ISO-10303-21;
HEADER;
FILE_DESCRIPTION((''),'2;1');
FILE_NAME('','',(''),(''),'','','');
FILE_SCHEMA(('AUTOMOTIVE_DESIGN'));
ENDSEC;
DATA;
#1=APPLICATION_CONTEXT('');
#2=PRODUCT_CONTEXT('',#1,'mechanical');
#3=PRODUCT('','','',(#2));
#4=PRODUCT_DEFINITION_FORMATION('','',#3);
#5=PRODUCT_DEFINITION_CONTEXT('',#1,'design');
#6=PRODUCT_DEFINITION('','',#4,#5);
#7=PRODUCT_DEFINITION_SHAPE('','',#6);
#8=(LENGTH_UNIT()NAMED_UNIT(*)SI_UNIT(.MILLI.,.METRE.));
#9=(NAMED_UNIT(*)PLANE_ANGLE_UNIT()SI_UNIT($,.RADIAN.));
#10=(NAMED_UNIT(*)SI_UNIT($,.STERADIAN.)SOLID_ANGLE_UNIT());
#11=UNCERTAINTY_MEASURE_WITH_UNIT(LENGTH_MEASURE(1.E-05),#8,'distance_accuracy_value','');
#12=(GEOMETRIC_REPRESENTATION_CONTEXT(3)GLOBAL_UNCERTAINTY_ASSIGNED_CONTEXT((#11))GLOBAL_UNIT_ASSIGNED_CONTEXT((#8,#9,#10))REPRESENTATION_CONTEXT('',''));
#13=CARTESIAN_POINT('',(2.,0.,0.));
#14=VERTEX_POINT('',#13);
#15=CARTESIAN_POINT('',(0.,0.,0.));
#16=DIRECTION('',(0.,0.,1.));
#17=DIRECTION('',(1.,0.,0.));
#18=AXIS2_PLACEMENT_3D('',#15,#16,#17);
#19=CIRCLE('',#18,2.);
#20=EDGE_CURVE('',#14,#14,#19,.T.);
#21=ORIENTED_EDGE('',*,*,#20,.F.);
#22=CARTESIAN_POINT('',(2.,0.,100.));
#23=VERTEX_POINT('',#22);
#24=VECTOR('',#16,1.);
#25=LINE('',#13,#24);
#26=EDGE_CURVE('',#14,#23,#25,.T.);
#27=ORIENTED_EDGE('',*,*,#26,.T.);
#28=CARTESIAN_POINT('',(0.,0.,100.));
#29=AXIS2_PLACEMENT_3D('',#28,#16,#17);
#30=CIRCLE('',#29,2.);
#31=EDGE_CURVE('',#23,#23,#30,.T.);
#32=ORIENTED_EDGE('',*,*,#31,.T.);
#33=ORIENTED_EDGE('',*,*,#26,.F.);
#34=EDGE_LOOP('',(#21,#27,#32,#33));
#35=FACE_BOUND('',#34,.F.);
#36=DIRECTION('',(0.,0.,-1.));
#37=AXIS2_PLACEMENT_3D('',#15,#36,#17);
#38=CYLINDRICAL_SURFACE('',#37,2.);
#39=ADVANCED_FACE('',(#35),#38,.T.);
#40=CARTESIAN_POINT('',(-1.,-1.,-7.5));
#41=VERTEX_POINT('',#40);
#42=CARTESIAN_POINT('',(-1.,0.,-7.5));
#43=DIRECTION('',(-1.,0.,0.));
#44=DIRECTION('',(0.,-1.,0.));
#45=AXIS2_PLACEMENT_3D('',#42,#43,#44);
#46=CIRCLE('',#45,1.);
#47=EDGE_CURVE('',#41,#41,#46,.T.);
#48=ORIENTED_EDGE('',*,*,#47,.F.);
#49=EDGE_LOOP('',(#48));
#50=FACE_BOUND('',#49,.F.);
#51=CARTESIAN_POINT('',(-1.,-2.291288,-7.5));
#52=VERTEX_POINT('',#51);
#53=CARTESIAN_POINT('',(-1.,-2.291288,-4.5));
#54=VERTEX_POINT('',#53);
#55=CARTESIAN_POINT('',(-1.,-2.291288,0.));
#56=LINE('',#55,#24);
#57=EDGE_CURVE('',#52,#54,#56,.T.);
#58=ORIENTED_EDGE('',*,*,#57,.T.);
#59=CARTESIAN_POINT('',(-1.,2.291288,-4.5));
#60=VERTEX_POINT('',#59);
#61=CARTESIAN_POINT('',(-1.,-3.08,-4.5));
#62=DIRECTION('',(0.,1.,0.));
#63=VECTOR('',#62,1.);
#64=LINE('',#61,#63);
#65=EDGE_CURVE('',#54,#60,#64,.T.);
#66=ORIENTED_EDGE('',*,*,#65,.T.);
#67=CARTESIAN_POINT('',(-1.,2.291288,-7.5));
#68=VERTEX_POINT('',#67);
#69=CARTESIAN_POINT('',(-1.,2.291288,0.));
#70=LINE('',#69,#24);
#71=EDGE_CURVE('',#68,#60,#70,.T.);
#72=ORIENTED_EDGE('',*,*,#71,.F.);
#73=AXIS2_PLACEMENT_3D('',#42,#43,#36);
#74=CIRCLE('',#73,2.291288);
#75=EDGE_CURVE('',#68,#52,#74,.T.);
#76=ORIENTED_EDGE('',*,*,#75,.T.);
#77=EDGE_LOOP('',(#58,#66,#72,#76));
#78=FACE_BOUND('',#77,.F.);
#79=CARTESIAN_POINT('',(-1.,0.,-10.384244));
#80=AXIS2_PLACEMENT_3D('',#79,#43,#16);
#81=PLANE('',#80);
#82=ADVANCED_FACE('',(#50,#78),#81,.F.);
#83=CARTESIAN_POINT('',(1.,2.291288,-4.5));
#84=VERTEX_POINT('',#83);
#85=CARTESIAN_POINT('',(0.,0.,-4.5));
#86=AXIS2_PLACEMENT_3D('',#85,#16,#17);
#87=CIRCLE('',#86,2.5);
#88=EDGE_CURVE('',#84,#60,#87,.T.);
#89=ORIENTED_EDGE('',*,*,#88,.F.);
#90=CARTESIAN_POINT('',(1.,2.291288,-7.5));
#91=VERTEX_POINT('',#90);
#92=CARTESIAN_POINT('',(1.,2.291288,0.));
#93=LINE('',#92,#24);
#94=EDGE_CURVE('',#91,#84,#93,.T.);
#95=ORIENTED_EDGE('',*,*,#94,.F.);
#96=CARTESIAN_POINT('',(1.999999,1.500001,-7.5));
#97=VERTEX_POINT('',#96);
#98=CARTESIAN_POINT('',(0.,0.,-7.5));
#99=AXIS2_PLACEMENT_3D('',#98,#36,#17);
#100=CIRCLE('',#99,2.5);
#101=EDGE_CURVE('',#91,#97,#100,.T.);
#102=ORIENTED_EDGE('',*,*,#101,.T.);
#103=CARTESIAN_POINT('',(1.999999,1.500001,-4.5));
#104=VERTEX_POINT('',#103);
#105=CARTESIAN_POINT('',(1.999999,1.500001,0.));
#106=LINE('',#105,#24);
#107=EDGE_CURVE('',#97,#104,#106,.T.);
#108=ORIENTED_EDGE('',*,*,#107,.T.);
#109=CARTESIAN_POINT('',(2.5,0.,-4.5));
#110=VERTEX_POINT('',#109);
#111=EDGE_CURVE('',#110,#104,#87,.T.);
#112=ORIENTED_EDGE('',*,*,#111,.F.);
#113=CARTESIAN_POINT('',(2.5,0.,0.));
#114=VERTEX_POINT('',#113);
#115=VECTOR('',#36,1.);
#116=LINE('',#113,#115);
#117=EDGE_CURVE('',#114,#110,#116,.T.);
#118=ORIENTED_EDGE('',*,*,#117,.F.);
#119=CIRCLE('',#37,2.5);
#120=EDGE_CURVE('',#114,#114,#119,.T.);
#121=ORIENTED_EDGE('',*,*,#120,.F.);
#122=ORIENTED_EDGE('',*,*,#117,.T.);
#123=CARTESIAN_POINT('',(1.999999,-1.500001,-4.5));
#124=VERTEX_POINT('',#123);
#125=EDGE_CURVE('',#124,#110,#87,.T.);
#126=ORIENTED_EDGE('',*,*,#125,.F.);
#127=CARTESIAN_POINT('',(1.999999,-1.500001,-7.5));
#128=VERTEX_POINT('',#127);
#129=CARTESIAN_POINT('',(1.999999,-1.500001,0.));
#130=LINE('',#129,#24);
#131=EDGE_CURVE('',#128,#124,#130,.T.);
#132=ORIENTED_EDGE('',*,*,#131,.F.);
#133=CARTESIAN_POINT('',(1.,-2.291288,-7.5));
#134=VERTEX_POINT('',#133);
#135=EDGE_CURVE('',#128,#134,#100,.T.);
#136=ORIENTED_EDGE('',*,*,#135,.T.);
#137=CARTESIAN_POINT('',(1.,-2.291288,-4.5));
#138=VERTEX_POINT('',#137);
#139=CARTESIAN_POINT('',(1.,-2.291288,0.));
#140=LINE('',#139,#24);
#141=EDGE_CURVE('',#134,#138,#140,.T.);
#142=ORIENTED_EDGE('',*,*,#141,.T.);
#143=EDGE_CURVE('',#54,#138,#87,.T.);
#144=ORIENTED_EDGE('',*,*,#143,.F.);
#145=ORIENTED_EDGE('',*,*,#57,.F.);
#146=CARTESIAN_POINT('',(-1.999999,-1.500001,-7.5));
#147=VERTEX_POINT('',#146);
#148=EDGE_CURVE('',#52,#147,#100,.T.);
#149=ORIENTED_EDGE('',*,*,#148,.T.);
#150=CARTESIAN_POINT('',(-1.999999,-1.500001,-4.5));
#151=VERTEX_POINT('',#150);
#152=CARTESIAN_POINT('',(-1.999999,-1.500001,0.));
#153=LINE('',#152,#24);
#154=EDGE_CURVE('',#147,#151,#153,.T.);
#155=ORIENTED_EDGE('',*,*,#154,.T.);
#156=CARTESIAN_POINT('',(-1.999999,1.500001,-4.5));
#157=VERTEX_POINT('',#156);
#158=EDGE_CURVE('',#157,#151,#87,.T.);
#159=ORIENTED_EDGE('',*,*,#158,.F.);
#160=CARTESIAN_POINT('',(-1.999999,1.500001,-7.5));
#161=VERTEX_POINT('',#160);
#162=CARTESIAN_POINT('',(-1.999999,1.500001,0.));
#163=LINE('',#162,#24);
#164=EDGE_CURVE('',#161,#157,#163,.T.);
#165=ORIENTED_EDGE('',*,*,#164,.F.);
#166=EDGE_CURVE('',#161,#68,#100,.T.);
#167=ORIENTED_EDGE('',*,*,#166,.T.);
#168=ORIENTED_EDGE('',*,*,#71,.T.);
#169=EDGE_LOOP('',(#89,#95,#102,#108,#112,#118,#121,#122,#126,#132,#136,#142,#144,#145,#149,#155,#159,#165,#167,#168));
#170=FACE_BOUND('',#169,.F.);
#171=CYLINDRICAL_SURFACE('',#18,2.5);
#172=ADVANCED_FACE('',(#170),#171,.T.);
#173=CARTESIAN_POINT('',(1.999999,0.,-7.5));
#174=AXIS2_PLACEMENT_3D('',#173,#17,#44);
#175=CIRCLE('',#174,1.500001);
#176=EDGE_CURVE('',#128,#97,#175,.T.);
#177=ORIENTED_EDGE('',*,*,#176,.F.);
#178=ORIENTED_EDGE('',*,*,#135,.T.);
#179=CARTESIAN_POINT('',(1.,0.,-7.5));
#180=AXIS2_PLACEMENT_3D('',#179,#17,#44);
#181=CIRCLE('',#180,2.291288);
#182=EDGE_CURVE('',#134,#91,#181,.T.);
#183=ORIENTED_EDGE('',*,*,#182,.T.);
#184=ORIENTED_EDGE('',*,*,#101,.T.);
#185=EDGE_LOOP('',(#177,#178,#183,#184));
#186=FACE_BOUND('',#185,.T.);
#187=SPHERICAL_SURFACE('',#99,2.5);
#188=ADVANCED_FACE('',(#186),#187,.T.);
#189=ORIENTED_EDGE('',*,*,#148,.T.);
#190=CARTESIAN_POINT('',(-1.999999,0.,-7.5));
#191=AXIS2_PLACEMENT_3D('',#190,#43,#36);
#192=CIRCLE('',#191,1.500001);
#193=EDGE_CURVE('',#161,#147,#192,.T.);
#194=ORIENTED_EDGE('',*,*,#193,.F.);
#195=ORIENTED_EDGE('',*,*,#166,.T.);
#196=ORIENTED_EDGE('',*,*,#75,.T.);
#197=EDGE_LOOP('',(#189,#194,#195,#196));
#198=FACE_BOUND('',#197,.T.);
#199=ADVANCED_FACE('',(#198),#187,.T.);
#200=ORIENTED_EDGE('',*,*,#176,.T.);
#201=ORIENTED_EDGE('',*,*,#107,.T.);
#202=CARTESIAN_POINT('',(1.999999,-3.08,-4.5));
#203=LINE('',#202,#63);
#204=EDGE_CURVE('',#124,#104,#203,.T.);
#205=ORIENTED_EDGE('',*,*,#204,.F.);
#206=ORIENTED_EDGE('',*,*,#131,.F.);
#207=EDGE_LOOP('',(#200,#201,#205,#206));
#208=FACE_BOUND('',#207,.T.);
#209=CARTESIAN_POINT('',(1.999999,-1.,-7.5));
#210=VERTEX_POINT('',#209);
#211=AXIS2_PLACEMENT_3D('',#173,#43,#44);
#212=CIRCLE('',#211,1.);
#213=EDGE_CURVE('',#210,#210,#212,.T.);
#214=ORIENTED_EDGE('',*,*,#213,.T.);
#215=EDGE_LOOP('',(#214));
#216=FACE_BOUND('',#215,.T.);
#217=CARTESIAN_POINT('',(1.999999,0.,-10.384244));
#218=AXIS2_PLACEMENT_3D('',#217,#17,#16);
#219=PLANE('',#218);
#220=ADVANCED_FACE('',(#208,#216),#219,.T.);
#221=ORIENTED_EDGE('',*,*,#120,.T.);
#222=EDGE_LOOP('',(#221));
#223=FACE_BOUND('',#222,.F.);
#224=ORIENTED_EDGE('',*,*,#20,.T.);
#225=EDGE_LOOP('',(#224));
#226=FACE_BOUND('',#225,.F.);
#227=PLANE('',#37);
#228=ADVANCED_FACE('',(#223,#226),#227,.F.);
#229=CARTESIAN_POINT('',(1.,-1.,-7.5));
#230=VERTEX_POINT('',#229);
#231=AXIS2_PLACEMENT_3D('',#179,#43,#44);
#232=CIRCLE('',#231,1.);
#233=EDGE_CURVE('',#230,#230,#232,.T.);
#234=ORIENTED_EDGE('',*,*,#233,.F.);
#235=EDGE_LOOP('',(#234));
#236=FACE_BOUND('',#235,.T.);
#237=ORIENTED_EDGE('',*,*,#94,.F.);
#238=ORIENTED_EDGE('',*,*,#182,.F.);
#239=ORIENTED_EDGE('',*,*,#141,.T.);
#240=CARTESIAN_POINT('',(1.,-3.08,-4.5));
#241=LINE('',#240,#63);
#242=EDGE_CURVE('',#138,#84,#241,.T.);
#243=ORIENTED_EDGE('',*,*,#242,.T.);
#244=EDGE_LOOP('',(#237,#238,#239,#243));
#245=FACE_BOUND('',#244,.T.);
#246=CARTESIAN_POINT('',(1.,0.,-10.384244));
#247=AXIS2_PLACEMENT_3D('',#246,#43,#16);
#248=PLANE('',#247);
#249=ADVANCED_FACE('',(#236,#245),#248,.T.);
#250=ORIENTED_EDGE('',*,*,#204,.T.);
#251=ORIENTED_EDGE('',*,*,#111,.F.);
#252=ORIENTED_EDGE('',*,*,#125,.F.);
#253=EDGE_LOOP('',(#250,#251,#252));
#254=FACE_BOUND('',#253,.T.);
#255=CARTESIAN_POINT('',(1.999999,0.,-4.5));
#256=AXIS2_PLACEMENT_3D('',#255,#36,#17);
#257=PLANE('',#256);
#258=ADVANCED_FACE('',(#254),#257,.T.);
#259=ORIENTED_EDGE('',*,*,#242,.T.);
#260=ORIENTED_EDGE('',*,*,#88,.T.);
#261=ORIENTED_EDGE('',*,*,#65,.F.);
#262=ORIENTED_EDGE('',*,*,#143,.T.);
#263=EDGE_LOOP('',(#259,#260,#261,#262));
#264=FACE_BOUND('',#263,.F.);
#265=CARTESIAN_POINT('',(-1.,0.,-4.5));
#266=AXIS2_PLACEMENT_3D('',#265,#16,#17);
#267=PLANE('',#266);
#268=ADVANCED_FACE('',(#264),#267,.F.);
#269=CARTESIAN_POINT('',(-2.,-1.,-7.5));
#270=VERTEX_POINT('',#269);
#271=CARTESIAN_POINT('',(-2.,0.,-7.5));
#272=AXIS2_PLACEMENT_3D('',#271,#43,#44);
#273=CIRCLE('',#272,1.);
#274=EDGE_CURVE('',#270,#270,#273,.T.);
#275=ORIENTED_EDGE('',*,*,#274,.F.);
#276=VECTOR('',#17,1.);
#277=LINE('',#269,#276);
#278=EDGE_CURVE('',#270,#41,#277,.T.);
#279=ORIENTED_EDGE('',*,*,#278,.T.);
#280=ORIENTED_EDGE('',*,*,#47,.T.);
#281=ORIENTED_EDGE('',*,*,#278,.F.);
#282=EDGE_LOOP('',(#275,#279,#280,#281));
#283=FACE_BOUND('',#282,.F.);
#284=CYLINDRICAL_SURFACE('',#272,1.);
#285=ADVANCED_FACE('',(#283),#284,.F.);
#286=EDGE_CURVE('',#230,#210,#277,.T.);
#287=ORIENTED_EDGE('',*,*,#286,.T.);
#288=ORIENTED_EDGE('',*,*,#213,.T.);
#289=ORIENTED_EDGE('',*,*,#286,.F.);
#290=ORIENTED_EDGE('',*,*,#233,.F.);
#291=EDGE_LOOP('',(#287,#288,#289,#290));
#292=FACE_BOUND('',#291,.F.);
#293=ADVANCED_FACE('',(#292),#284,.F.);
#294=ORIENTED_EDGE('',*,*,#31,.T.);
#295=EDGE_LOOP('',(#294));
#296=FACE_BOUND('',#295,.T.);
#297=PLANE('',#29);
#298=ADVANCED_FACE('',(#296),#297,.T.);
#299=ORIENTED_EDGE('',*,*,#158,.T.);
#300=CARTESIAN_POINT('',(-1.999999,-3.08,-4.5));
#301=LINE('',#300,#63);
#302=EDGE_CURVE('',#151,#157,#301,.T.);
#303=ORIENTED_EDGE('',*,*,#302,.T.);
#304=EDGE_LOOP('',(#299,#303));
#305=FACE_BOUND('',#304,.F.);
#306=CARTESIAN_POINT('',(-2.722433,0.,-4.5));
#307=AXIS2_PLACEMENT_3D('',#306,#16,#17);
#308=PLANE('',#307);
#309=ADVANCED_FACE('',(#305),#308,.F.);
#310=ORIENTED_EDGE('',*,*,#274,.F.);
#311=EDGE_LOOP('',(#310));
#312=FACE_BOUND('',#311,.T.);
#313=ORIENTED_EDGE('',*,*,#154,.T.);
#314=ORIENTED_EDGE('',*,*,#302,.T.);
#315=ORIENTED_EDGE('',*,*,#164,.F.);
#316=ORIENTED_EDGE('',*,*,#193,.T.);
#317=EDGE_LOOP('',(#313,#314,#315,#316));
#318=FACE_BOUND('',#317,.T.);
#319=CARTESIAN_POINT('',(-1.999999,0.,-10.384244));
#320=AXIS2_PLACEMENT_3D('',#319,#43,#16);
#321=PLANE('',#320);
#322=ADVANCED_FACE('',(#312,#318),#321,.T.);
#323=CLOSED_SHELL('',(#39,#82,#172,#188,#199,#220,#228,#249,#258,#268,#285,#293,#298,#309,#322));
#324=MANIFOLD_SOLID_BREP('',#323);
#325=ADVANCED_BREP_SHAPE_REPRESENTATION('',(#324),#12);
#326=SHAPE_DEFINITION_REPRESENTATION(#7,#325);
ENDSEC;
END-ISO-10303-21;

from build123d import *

# Parameters (mm, degrees)
F0_R     = 2
F1_DEPTH = 100
F2_R     = 2.5
F3_DEPTH = 10
F4_R     = 2.5
F5_W     = 0.722433
F5_H     = 5.884245
F5_W_2   = 2
F5_W_3   = 0.957619
F6_DEPTH = 3.08
F7_R     = 1
F8_DEPTH = 4.501


with BuildPart() as f1:
    # F0 (on Top) → F1 (new body)
    with BuildSketch(Plane.XY):
        Circle(F0_R)
    extrude(amount=F1_DEPTH)

    # F2 (on face) → F3 (join)
    with BuildSketch(Plane(origin=(0, 0, 0), x_dir=(1, 0, 0), z_dir=(0, 0, -1))):
        Circle(F2_R)
    extrude(amount=F3_DEPTH)

    # F4
    f4_edges = [f1.edges().sort_by_distance(p)[0] for p in [
        (-2.5, 0, -10),
    ]]
    fillet(f4_edges, radius=F4_R)

    # F5 (on Front) → F6 (cut, symmetric)
    with BuildSketch(Plane.XZ):
        with Locations((-2.361216, -7.442122)):
            Rectangle(F5_W, F5_H)
        with Locations((0, -7.442122)):
            Rectangle(F5_W_2, F5_H)
        with Locations((2.478809, -7.442122)):
            Rectangle(F5_W_3, F5_H)
    extrude(amount=F6_DEPTH, both=True, mode=Mode.SUBTRACT)

    # F7 (on face) → F8 (cut, through all)
    with BuildSketch(Plane(origin=(-2, 0, 0), x_dir=(0, -1, 0), z_dir=(-1, 0, 0))):
        with Locations((0, -7.5)):
            Circle(F7_R)
    extrude(amount=-F8_DEPTH, mode=Mode.SUBTRACT)


solid = f1.part
